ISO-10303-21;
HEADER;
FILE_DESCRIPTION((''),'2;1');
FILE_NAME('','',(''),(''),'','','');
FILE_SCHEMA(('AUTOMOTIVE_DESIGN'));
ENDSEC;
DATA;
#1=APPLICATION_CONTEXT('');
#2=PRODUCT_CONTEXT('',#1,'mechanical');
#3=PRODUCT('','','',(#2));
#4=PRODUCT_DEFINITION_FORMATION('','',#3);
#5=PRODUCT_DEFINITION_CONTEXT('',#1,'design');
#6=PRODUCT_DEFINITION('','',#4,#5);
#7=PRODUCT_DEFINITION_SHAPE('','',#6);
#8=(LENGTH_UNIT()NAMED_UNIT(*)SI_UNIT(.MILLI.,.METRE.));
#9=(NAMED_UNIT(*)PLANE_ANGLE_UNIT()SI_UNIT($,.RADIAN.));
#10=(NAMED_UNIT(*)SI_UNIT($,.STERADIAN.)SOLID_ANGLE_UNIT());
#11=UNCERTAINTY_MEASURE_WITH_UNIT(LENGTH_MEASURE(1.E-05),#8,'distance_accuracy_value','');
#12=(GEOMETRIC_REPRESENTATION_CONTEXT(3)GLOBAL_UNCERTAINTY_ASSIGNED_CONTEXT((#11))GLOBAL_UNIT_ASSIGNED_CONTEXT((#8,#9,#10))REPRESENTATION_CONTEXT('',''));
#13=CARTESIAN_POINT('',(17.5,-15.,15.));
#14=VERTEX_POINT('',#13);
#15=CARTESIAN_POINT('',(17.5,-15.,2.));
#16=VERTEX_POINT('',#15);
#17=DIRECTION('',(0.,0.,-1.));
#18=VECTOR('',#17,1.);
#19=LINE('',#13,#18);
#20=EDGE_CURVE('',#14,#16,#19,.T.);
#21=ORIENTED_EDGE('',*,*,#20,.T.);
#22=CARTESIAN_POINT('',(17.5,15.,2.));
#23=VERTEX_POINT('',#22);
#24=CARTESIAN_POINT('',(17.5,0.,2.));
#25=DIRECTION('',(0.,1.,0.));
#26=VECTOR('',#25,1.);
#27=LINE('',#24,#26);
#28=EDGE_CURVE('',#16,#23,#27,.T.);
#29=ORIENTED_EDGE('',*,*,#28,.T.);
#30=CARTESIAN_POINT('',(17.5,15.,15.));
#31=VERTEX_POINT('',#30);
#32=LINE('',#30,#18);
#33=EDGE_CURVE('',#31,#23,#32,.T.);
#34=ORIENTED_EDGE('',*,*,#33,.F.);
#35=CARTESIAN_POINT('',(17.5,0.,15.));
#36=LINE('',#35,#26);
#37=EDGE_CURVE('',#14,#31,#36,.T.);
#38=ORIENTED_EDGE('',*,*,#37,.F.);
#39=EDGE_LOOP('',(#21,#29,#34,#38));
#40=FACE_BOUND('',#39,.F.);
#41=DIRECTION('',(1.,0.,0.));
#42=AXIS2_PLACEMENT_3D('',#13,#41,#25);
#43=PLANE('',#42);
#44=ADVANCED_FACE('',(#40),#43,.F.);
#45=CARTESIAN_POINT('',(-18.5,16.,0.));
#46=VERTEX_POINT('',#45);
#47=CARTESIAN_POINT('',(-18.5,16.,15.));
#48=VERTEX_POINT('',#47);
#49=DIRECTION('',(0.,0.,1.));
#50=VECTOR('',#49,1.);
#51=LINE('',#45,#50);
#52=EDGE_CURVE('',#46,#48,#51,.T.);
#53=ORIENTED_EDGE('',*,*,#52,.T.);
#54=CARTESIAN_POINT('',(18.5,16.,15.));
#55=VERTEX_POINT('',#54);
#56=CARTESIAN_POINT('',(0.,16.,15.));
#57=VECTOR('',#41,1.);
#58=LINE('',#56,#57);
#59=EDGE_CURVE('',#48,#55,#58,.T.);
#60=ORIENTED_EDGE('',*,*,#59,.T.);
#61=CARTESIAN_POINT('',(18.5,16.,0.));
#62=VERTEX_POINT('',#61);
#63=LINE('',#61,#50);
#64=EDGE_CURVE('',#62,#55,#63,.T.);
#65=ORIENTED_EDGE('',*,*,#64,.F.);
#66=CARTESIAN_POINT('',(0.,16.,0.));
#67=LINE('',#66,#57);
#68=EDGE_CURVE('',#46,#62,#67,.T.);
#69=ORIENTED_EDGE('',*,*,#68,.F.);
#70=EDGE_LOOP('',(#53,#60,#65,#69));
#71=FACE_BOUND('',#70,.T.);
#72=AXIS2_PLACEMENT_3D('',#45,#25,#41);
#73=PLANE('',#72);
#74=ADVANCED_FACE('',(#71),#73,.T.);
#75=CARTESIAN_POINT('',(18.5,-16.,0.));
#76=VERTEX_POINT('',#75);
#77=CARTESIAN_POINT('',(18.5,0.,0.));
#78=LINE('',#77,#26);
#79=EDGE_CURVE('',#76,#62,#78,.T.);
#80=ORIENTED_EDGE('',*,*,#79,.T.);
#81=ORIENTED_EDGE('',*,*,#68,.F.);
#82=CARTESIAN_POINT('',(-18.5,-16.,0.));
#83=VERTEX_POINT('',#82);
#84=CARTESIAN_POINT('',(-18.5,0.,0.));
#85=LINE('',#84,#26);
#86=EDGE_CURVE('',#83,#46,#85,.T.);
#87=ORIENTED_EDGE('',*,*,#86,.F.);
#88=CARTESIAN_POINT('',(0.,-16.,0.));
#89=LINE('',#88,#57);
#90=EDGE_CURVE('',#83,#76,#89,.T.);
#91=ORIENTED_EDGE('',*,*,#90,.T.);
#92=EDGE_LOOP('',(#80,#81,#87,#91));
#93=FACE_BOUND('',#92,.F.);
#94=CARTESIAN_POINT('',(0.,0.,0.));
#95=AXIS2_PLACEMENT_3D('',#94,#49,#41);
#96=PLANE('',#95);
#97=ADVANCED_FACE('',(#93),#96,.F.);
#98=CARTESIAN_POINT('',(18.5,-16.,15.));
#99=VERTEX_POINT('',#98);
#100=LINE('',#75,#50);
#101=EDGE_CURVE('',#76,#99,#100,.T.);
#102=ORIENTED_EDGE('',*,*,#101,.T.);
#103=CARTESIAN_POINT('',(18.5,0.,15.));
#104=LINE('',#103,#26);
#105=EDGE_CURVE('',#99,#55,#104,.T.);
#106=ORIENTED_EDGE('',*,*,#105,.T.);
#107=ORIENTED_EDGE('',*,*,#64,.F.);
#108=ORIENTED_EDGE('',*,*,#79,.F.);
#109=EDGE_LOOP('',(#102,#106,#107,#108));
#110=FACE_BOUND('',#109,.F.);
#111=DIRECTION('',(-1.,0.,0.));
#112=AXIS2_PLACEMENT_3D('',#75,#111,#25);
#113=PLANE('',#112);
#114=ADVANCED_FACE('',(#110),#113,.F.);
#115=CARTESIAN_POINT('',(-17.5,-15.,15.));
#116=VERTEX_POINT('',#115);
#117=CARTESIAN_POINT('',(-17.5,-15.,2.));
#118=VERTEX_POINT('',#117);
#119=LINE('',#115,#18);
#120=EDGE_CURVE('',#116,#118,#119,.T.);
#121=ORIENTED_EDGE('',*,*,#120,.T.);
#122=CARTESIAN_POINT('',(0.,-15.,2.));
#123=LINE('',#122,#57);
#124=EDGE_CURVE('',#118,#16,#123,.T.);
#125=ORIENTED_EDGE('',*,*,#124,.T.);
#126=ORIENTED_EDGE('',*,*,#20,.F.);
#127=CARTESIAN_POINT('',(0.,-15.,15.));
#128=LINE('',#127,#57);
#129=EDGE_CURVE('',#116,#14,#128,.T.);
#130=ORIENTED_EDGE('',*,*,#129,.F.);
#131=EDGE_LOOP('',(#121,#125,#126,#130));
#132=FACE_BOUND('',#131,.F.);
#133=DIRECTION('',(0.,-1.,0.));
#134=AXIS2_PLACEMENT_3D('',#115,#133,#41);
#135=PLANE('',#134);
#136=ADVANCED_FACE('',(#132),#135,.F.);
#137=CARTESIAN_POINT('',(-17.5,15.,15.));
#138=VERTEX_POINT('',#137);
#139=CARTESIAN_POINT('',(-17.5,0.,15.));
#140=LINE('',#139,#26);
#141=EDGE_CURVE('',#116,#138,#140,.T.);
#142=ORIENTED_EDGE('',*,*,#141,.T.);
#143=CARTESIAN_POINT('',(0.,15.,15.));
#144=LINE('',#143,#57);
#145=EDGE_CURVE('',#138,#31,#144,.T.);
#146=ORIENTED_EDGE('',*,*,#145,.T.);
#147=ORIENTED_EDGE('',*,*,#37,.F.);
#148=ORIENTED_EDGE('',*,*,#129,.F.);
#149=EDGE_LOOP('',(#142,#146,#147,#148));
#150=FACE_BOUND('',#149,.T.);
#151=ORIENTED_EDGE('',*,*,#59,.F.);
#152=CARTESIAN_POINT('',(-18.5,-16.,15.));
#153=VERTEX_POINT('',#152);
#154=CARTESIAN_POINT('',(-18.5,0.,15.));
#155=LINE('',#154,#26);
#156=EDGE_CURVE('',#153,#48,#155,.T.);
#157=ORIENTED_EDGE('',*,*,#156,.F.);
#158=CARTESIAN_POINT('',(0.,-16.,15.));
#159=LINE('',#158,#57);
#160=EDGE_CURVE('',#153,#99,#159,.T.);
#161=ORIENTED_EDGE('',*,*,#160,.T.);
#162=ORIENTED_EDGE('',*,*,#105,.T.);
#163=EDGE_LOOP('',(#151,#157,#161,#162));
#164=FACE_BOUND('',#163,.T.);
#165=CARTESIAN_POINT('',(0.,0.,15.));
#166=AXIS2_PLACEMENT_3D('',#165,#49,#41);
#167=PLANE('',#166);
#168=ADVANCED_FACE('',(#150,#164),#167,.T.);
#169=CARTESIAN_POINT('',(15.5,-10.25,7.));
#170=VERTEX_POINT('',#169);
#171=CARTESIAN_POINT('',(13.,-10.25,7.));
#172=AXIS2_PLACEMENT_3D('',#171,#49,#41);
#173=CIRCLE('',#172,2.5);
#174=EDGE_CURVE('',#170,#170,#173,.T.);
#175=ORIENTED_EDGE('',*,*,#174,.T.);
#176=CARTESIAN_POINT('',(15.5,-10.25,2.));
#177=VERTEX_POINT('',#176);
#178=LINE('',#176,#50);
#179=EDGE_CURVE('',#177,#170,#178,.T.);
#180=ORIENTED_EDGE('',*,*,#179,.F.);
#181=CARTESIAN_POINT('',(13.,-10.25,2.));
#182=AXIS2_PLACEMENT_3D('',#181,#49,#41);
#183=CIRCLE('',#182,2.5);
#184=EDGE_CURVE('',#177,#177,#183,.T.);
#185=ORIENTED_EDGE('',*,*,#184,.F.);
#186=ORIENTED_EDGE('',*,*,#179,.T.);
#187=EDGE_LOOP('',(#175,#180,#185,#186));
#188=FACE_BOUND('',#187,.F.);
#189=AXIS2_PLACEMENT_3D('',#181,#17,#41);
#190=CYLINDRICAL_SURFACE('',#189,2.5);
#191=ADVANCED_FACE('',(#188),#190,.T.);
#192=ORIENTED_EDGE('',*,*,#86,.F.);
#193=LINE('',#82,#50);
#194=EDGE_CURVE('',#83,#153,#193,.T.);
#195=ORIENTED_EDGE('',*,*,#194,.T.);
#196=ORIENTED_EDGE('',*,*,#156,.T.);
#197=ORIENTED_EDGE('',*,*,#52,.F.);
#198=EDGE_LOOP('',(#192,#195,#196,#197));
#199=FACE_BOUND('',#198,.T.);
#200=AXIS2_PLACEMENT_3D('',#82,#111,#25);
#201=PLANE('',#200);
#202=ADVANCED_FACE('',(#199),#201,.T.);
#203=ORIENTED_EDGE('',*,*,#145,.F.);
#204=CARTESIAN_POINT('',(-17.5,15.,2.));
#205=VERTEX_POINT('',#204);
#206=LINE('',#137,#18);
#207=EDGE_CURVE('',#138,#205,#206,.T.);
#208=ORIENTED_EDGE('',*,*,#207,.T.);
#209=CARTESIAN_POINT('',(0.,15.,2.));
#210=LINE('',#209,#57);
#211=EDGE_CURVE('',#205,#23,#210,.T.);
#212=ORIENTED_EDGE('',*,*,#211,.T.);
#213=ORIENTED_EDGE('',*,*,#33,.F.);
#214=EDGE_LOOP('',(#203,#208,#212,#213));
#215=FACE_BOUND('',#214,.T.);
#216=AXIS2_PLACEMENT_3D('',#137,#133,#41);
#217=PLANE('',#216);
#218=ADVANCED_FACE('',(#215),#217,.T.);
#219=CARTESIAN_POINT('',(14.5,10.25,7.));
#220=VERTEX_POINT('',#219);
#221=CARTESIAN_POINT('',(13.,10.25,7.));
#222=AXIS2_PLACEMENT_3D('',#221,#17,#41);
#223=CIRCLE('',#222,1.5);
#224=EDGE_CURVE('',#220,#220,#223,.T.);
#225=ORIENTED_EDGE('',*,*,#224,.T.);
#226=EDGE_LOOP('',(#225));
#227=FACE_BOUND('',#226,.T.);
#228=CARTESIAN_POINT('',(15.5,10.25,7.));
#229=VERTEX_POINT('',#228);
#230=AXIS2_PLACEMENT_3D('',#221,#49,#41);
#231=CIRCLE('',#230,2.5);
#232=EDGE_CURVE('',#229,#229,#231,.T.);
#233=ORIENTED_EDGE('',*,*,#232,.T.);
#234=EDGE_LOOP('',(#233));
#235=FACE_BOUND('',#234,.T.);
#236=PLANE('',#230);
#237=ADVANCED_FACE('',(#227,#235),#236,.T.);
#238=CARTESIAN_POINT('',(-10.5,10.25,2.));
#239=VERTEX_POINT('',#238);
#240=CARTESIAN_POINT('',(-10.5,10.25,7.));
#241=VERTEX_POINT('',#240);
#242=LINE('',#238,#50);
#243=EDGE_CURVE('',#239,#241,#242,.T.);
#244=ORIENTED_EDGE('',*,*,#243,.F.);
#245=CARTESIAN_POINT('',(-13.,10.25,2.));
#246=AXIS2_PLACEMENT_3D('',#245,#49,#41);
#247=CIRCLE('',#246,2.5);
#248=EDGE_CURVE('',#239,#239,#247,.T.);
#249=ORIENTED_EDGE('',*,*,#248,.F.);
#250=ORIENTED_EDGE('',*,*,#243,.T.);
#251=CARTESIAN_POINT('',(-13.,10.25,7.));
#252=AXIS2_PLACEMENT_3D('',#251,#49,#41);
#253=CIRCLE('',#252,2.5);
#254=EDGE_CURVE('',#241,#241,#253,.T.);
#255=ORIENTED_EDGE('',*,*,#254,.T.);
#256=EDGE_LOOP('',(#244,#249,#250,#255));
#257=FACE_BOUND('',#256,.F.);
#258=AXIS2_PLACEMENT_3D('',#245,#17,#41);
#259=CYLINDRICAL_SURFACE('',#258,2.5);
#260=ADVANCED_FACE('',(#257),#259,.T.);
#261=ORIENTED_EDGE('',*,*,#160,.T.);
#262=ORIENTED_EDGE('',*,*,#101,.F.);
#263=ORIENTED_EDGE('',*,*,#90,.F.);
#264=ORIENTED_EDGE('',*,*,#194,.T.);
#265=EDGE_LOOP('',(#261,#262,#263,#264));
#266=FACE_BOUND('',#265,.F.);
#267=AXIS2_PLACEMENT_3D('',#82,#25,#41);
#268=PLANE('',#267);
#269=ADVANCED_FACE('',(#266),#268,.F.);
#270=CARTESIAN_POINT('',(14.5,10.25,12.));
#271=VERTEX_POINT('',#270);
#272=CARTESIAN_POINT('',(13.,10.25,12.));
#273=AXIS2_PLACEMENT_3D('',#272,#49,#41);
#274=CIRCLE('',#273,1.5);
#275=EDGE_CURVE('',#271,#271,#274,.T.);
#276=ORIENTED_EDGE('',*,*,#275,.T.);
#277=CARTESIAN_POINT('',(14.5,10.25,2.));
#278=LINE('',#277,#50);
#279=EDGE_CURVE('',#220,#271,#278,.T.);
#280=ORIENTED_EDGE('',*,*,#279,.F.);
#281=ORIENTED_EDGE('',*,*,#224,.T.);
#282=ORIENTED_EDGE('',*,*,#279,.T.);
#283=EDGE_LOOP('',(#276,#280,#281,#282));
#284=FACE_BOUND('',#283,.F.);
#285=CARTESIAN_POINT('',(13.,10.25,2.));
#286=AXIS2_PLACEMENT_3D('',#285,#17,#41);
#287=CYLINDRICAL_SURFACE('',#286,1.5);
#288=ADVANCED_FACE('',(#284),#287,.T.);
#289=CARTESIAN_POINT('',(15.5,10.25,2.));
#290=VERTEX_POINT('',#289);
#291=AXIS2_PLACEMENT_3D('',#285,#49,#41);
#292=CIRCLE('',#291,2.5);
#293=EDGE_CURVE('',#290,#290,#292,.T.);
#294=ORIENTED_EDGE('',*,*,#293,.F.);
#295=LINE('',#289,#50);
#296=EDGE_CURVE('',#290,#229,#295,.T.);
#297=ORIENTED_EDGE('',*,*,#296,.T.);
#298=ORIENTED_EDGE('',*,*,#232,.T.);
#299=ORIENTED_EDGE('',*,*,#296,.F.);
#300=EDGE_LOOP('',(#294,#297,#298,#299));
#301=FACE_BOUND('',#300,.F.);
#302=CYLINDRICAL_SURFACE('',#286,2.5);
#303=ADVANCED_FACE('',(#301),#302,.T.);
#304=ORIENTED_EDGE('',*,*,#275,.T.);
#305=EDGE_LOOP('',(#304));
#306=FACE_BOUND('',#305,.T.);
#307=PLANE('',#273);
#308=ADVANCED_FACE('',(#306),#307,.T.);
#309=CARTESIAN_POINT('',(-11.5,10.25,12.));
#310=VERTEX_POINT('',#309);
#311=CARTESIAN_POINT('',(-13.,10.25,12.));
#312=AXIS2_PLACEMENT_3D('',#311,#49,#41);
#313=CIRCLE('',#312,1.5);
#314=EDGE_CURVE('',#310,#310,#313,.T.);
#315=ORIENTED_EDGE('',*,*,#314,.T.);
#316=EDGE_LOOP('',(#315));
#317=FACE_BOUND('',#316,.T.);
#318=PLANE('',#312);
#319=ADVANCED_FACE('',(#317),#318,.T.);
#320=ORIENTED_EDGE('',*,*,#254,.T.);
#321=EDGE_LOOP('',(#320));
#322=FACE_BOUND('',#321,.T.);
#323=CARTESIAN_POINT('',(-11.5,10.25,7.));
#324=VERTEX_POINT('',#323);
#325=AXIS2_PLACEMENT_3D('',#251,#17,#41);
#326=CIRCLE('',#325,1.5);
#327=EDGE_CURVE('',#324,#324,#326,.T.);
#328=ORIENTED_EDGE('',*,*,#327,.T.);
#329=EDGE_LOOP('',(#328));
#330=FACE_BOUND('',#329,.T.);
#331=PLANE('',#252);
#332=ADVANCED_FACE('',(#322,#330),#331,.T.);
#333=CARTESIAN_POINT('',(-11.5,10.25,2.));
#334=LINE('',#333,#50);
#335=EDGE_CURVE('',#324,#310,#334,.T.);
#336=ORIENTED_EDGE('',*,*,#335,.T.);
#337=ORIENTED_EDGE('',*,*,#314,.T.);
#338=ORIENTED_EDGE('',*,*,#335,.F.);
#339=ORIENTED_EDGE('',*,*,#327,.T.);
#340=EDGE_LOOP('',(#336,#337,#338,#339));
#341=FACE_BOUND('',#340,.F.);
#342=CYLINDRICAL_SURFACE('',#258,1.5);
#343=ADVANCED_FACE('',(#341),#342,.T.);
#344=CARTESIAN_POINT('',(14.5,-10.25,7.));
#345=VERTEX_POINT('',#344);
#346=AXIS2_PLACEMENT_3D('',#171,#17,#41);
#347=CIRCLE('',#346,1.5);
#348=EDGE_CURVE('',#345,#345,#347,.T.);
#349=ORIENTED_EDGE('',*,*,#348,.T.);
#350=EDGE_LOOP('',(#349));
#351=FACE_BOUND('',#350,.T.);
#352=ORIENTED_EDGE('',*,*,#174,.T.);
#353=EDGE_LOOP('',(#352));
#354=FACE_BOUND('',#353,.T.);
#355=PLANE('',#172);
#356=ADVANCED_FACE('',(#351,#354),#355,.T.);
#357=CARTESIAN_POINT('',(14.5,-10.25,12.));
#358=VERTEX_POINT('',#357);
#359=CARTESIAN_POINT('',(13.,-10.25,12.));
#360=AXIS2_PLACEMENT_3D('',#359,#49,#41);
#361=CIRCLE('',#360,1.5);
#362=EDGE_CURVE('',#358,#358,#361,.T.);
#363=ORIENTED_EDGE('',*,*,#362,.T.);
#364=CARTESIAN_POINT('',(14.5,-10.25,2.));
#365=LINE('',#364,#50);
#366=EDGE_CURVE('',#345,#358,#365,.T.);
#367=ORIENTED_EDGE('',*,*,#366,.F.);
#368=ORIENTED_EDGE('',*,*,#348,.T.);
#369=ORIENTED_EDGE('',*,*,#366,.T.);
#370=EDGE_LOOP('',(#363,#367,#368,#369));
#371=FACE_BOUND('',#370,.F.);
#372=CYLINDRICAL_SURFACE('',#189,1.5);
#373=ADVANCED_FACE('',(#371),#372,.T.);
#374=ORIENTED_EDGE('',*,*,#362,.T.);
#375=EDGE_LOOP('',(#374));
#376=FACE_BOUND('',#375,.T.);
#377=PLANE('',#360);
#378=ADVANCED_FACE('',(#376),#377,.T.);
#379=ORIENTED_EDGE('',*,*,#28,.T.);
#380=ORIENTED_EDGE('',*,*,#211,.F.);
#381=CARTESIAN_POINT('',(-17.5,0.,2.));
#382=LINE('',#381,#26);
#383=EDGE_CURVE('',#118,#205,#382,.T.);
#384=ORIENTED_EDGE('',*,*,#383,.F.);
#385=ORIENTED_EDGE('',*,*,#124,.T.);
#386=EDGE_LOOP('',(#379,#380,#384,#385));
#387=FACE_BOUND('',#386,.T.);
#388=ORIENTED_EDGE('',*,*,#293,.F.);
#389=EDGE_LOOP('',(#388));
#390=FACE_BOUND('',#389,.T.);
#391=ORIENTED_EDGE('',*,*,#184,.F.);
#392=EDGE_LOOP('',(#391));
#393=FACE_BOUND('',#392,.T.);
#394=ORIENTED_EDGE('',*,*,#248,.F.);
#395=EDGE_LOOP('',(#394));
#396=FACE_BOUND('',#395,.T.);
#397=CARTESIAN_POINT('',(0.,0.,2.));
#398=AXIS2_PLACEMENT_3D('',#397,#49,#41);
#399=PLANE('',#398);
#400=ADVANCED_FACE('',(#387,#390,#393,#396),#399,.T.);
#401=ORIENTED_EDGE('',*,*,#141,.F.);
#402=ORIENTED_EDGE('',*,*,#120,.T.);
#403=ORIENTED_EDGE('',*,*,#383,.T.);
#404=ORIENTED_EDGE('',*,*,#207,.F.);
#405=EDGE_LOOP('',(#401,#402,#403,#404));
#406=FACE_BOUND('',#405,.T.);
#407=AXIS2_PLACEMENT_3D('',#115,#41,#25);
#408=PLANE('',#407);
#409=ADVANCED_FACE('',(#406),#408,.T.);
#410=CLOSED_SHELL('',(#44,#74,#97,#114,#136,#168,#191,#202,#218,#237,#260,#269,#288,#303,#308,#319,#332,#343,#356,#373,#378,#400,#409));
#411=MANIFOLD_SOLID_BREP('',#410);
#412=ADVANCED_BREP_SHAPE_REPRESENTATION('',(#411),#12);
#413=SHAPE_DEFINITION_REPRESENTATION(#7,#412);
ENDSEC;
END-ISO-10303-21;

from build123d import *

# Parameters (mm, degrees)
F1_W     = 37
F1_H     = 32
F2_DEPTH = 15
F3_W     = 35
F3_H     = 30
F4_DEPTH = 13
F5_R     = 2.5
F5_R_2   = 1.5
F6_DEPTH = 5
F7_DEPTH = 10


with BuildPart() as f2:
    # F1 (on Top) → F2 (new body)
    with BuildSketch(Plane.XY):
        Rectangle(F1_W, F1_H)
    extrude(amount=F2_DEPTH)

    # F3 (on face) → F4 (cut)
    with BuildSketch(Plane.XY.offset(15)):
        Rectangle(F3_W, F3_H)
    extrude(amount=-F4_DEPTH, mode=Mode.SUBTRACT)

    # F5 (on face) → F6 (join)
    with BuildSketch(Plane.XY.offset(2)):
        with Locations((-13, 10.25)):
            Circle(F5_R)
        with Locations((-13, 10.25)):
            Circle(F5_R_2, mode=Mode.SUBTRACT)
        with Locations((13, 10.25)):
            Circle(F5_R)
        with Locations((13, 10.25)):
            Circle(F5_R_2, mode=Mode.SUBTRACT)
        with Locations((13, -10.25)):
            Circle(F5_R)
        with Locations((13, -10.25)):
            Circle(F5_R_2, mode=Mode.SUBTRACT)
        with Locations((-13, 10.25)):
            Circle(F5_R_2)
        with Locations((13, 10.25)):
            Circle(F5_R_2)
        with Locations((13, -10.25)):
            Circle(F5_R_2)
    extrude(amount=F6_DEPTH)

    # F5 (on face) → F7 (join)
    with BuildSketch(Plane.XY.offset(2)):
        with Locations((-13, 10.25)):
            Circle(F5_R_2)
        with Locations((13, 10.25)):
            Circle(F5_R_2)
        with Locations((13, -10.25)):
            Circle(F5_R_2)
    extrude(amount=F7_DEPTH)


solid = f2.part
